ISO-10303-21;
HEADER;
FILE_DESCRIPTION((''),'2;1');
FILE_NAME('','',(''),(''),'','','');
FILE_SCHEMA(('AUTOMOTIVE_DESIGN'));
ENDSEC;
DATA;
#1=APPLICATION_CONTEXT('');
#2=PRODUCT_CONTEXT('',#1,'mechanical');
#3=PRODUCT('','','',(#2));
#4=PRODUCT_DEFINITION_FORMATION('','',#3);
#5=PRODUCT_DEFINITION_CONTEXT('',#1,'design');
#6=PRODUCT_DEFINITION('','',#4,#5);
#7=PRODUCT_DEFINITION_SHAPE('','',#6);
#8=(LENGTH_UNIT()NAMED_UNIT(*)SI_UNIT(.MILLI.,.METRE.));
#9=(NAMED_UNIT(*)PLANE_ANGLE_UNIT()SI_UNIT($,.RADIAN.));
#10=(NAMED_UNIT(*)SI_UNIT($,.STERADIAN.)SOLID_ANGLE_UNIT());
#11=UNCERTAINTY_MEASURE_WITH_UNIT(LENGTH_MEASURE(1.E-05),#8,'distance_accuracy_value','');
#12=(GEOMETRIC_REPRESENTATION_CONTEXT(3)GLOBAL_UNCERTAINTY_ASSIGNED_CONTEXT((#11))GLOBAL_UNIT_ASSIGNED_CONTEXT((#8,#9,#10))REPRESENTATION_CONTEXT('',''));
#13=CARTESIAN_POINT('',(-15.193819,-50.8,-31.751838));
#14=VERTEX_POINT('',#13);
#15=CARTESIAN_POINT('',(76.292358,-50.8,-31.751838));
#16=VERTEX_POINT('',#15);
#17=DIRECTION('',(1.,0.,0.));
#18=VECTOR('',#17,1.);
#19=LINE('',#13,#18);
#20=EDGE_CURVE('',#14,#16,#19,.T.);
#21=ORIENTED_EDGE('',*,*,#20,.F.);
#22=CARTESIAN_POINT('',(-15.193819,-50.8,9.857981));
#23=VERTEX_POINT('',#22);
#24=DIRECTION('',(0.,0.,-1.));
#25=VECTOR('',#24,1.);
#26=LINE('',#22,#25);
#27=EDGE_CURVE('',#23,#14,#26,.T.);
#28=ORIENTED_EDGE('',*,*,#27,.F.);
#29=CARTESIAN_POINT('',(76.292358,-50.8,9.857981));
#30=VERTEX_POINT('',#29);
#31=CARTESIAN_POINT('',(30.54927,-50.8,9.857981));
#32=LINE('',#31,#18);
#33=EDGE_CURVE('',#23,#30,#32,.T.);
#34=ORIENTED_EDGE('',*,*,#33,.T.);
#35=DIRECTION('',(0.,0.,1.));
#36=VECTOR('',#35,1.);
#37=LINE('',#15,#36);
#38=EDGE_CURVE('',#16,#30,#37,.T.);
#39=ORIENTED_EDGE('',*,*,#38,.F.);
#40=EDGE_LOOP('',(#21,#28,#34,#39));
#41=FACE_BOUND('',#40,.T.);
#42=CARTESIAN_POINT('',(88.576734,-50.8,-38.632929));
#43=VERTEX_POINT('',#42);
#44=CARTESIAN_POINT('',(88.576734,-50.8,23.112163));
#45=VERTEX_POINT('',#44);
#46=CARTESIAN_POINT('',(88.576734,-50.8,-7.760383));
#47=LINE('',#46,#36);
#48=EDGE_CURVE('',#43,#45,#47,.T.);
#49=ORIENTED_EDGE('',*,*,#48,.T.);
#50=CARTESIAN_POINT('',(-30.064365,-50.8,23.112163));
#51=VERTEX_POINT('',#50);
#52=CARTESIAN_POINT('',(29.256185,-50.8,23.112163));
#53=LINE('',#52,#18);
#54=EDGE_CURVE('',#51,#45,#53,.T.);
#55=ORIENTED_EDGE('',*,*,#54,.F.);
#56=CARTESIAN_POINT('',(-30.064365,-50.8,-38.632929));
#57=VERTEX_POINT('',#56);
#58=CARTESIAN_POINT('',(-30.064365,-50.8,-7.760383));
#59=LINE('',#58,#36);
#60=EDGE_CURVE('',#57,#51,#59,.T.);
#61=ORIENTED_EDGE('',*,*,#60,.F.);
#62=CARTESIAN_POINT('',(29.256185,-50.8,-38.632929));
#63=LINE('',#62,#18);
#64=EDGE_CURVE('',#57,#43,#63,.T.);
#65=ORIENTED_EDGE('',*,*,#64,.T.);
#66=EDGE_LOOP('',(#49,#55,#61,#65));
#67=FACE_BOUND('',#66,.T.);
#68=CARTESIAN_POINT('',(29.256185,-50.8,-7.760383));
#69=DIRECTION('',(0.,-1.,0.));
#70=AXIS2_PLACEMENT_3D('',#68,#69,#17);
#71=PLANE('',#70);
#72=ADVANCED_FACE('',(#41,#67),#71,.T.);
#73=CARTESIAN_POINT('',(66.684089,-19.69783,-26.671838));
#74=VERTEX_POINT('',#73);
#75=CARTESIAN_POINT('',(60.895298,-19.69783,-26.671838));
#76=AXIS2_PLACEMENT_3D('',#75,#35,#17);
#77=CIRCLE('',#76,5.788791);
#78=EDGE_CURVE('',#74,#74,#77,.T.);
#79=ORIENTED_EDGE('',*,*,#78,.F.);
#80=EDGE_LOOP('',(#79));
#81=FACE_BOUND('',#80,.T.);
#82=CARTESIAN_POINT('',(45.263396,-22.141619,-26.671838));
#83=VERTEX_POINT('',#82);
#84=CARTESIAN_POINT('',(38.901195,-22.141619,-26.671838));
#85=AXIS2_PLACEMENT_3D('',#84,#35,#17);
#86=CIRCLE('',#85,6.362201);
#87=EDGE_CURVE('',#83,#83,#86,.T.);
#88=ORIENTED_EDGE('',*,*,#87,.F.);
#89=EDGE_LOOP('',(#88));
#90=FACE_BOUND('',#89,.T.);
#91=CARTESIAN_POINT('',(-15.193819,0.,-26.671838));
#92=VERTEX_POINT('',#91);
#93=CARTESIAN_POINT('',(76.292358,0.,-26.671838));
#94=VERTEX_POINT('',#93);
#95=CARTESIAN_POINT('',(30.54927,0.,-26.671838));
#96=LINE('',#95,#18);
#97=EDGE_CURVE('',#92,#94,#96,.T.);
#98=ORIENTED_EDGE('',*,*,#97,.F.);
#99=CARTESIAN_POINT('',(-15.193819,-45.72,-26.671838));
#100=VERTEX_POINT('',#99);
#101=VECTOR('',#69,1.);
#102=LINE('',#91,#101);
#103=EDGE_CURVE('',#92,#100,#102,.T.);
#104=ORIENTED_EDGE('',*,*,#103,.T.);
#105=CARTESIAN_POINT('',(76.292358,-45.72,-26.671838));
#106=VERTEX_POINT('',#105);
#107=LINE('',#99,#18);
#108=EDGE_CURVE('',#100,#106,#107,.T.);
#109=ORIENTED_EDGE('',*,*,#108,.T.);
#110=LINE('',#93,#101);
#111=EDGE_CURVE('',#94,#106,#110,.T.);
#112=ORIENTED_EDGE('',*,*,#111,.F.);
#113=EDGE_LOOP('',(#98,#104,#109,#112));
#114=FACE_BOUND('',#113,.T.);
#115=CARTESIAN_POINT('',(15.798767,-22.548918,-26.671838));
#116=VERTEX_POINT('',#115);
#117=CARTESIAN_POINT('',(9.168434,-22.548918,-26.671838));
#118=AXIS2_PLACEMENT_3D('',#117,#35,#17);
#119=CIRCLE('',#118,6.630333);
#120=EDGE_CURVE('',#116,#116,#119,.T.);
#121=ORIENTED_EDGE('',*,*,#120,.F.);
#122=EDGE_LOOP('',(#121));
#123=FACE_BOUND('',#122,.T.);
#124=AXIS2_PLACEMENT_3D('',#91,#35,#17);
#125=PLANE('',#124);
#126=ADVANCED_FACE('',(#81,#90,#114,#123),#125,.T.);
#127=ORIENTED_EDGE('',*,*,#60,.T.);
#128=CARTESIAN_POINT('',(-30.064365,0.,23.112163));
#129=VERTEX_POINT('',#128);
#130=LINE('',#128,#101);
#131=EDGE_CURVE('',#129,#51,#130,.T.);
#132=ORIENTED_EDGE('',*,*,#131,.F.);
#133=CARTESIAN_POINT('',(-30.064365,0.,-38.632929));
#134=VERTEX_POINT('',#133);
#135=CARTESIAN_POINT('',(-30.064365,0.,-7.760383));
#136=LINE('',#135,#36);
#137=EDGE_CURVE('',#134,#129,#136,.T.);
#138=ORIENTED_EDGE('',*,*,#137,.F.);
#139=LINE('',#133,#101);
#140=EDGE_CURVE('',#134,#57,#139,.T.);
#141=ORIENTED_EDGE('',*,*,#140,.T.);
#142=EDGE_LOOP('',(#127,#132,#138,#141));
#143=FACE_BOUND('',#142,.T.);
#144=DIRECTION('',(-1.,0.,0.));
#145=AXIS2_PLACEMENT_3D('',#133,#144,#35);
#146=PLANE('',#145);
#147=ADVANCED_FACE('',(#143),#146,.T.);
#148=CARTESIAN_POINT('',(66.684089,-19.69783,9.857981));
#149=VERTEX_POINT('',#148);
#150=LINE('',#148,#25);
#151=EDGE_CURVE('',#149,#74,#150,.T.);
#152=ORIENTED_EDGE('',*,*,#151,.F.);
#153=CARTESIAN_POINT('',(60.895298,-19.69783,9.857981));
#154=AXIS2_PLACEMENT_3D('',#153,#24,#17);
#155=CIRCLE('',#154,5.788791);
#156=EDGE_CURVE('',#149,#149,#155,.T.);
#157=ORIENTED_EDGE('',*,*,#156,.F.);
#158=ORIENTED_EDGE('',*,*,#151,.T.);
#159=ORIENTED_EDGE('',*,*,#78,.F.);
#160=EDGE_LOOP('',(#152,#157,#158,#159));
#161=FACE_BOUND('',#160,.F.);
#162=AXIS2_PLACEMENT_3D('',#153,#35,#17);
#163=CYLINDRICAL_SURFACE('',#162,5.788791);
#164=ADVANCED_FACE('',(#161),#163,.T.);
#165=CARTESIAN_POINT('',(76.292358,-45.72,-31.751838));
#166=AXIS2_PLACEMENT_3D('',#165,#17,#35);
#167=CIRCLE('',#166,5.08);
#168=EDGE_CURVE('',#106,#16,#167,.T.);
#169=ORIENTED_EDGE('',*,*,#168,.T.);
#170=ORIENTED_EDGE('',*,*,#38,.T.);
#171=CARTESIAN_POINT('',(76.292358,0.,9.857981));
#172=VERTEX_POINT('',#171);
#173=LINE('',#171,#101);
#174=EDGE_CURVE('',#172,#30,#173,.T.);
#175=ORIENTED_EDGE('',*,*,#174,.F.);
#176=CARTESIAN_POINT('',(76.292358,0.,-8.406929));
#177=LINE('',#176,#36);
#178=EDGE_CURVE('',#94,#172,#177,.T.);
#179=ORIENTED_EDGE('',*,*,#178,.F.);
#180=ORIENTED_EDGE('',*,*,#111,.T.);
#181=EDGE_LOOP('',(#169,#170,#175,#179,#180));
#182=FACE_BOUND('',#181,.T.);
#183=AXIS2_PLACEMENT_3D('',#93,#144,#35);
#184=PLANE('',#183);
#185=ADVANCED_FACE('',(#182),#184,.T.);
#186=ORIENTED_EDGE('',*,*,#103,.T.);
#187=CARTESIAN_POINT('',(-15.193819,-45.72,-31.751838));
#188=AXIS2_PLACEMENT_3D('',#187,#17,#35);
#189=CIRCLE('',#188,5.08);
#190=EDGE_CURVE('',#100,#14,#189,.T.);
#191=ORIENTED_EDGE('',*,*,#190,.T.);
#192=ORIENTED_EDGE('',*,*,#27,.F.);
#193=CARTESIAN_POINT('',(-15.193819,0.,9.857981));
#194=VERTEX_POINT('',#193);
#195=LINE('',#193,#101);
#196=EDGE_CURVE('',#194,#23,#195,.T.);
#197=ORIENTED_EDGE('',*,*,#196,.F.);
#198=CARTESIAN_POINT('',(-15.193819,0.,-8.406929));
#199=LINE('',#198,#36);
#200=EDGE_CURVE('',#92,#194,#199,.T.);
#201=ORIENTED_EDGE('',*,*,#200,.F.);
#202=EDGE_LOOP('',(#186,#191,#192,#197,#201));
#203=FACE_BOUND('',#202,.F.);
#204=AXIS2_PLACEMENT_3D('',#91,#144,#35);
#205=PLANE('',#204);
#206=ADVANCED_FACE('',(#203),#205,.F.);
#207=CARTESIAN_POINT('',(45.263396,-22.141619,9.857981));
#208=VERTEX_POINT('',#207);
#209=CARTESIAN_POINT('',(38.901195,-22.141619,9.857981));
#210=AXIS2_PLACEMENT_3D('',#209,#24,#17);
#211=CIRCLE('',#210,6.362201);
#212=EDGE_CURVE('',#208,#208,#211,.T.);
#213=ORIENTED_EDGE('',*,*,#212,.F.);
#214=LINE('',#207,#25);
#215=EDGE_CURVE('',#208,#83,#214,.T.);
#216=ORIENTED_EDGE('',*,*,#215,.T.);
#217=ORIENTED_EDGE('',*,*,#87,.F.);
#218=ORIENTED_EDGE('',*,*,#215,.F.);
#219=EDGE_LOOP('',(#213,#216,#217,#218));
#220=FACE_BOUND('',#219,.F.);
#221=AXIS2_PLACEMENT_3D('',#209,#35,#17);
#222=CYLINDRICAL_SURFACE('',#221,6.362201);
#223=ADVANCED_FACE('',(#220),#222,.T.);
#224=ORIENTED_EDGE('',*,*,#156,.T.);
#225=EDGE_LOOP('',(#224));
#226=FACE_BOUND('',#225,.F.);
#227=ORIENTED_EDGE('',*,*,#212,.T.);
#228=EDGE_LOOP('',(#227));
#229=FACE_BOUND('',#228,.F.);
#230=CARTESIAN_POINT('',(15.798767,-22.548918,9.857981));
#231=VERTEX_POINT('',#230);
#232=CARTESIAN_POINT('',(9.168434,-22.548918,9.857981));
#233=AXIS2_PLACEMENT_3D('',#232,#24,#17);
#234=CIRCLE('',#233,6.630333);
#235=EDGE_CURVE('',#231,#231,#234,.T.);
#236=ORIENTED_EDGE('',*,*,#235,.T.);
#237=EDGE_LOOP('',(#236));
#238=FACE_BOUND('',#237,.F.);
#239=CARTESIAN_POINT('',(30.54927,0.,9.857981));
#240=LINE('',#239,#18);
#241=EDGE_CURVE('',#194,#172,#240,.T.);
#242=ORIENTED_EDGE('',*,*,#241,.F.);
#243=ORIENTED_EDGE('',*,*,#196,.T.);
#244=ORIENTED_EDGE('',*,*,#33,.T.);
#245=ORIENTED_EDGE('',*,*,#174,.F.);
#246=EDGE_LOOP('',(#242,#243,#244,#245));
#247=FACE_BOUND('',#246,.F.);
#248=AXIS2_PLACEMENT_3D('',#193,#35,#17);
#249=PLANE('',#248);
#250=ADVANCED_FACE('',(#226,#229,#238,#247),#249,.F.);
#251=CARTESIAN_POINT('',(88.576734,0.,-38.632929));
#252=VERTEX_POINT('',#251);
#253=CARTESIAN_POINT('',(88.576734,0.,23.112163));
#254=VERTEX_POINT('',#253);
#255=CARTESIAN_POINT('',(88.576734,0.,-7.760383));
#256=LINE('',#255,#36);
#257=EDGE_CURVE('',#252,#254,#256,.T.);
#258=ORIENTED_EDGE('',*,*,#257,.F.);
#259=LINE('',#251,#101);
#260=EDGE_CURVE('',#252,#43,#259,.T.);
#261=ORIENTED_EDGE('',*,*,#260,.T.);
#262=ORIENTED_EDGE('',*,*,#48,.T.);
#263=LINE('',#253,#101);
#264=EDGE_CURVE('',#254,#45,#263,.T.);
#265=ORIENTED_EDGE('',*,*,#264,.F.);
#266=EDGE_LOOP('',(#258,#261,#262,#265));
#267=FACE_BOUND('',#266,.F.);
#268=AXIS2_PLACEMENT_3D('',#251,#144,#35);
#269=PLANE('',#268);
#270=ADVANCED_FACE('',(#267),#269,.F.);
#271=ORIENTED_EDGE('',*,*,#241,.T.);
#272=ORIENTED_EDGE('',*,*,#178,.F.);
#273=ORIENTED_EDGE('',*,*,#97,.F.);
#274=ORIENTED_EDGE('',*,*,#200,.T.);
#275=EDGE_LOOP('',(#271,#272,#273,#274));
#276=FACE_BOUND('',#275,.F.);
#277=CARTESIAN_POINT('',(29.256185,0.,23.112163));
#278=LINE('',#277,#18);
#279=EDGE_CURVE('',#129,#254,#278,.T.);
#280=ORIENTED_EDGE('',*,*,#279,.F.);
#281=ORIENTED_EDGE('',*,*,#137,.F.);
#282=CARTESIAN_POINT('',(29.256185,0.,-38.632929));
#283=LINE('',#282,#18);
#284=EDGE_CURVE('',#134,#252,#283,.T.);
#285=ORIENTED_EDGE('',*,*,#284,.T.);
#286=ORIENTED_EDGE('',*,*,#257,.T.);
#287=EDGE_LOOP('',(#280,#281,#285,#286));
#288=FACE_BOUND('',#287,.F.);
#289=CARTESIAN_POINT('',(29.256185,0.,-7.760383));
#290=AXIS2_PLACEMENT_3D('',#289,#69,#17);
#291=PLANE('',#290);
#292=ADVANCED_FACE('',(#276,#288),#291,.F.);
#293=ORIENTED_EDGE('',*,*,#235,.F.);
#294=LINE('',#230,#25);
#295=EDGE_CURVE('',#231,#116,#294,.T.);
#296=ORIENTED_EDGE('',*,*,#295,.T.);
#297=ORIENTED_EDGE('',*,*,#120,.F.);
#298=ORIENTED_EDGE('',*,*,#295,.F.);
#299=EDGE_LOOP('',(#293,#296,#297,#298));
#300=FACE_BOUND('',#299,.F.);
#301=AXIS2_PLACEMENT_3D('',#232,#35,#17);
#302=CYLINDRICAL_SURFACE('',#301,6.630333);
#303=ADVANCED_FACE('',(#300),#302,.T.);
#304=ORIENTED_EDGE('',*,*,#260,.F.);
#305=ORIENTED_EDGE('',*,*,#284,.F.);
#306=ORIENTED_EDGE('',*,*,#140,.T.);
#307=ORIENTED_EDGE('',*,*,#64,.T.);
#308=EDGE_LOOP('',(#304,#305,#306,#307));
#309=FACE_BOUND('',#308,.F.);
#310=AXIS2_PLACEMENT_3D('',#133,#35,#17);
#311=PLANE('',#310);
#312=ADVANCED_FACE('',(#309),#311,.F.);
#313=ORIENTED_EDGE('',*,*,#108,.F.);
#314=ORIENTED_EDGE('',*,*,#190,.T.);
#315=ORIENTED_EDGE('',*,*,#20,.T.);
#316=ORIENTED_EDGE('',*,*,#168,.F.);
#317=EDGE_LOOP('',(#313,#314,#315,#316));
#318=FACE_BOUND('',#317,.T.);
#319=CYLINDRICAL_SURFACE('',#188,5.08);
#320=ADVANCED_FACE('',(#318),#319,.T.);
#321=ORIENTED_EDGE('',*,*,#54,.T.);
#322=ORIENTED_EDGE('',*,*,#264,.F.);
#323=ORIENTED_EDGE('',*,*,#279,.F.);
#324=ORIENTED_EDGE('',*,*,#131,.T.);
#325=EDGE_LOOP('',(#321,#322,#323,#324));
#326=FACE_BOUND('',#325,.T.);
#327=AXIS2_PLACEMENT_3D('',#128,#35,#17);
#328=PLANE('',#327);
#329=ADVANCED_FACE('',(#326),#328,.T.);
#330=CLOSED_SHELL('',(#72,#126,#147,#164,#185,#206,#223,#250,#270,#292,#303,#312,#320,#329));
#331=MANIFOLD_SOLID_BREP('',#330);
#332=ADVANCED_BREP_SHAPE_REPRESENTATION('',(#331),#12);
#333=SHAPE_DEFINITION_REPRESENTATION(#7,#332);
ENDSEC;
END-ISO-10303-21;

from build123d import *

# Parameters (mm, degrees)
F0_W     = 118.6410989612
F0_H     = 61.7450922728
F0_W_2   = 91.4861774072
F0_H_2   = 36.5298185498
F1_DEPTH = 50.8
F2_R     = 6.3622008296
F2_R_2   = 5.7887908355
F2_R_3   = 6.6303332555
F3_DEPTH = 48.26
F4_R     = 5.08


with BuildPart() as f1:
    # F0 (on Front) → F1 (new body)
    with BuildSketch(Plane.XZ):
        with Locations((29.2561845854, -7.7603831887)):
            Rectangle(F0_W, F0_H)
        with Locations((30.5492696352, -8.4069287404)):
            Rectangle(F0_W_2, F0_H_2, mode=Mode.SUBTRACT)
    extrude(amount=F1_DEPTH)

    # F2 (on face) → F3 (join)
    with BuildSketch(Plane(origin=(0, 0, 9.8579805344), x_dir=(1, 0, 0), z_dir=(0, 0, -1))):
        with Locations((38.9011949301, 22.1416186541)):
            Circle(F2_R)
        with Locations((60.8952976763, 19.697830081)):
            Circle(F2_R_2)
        with Locations((9.1684339568, 22.548917681)):
            Circle(F2_R_3)
    extrude(amount=F3_DEPTH)

    # F4
    f4_edges = [f1.edges().sort_by_distance(p)[0] for p in [
        (30.54927, -50.8, -26.671838),
    ]]
    fillet(f4_edges, radius=F4_R)


solid = f1.part
